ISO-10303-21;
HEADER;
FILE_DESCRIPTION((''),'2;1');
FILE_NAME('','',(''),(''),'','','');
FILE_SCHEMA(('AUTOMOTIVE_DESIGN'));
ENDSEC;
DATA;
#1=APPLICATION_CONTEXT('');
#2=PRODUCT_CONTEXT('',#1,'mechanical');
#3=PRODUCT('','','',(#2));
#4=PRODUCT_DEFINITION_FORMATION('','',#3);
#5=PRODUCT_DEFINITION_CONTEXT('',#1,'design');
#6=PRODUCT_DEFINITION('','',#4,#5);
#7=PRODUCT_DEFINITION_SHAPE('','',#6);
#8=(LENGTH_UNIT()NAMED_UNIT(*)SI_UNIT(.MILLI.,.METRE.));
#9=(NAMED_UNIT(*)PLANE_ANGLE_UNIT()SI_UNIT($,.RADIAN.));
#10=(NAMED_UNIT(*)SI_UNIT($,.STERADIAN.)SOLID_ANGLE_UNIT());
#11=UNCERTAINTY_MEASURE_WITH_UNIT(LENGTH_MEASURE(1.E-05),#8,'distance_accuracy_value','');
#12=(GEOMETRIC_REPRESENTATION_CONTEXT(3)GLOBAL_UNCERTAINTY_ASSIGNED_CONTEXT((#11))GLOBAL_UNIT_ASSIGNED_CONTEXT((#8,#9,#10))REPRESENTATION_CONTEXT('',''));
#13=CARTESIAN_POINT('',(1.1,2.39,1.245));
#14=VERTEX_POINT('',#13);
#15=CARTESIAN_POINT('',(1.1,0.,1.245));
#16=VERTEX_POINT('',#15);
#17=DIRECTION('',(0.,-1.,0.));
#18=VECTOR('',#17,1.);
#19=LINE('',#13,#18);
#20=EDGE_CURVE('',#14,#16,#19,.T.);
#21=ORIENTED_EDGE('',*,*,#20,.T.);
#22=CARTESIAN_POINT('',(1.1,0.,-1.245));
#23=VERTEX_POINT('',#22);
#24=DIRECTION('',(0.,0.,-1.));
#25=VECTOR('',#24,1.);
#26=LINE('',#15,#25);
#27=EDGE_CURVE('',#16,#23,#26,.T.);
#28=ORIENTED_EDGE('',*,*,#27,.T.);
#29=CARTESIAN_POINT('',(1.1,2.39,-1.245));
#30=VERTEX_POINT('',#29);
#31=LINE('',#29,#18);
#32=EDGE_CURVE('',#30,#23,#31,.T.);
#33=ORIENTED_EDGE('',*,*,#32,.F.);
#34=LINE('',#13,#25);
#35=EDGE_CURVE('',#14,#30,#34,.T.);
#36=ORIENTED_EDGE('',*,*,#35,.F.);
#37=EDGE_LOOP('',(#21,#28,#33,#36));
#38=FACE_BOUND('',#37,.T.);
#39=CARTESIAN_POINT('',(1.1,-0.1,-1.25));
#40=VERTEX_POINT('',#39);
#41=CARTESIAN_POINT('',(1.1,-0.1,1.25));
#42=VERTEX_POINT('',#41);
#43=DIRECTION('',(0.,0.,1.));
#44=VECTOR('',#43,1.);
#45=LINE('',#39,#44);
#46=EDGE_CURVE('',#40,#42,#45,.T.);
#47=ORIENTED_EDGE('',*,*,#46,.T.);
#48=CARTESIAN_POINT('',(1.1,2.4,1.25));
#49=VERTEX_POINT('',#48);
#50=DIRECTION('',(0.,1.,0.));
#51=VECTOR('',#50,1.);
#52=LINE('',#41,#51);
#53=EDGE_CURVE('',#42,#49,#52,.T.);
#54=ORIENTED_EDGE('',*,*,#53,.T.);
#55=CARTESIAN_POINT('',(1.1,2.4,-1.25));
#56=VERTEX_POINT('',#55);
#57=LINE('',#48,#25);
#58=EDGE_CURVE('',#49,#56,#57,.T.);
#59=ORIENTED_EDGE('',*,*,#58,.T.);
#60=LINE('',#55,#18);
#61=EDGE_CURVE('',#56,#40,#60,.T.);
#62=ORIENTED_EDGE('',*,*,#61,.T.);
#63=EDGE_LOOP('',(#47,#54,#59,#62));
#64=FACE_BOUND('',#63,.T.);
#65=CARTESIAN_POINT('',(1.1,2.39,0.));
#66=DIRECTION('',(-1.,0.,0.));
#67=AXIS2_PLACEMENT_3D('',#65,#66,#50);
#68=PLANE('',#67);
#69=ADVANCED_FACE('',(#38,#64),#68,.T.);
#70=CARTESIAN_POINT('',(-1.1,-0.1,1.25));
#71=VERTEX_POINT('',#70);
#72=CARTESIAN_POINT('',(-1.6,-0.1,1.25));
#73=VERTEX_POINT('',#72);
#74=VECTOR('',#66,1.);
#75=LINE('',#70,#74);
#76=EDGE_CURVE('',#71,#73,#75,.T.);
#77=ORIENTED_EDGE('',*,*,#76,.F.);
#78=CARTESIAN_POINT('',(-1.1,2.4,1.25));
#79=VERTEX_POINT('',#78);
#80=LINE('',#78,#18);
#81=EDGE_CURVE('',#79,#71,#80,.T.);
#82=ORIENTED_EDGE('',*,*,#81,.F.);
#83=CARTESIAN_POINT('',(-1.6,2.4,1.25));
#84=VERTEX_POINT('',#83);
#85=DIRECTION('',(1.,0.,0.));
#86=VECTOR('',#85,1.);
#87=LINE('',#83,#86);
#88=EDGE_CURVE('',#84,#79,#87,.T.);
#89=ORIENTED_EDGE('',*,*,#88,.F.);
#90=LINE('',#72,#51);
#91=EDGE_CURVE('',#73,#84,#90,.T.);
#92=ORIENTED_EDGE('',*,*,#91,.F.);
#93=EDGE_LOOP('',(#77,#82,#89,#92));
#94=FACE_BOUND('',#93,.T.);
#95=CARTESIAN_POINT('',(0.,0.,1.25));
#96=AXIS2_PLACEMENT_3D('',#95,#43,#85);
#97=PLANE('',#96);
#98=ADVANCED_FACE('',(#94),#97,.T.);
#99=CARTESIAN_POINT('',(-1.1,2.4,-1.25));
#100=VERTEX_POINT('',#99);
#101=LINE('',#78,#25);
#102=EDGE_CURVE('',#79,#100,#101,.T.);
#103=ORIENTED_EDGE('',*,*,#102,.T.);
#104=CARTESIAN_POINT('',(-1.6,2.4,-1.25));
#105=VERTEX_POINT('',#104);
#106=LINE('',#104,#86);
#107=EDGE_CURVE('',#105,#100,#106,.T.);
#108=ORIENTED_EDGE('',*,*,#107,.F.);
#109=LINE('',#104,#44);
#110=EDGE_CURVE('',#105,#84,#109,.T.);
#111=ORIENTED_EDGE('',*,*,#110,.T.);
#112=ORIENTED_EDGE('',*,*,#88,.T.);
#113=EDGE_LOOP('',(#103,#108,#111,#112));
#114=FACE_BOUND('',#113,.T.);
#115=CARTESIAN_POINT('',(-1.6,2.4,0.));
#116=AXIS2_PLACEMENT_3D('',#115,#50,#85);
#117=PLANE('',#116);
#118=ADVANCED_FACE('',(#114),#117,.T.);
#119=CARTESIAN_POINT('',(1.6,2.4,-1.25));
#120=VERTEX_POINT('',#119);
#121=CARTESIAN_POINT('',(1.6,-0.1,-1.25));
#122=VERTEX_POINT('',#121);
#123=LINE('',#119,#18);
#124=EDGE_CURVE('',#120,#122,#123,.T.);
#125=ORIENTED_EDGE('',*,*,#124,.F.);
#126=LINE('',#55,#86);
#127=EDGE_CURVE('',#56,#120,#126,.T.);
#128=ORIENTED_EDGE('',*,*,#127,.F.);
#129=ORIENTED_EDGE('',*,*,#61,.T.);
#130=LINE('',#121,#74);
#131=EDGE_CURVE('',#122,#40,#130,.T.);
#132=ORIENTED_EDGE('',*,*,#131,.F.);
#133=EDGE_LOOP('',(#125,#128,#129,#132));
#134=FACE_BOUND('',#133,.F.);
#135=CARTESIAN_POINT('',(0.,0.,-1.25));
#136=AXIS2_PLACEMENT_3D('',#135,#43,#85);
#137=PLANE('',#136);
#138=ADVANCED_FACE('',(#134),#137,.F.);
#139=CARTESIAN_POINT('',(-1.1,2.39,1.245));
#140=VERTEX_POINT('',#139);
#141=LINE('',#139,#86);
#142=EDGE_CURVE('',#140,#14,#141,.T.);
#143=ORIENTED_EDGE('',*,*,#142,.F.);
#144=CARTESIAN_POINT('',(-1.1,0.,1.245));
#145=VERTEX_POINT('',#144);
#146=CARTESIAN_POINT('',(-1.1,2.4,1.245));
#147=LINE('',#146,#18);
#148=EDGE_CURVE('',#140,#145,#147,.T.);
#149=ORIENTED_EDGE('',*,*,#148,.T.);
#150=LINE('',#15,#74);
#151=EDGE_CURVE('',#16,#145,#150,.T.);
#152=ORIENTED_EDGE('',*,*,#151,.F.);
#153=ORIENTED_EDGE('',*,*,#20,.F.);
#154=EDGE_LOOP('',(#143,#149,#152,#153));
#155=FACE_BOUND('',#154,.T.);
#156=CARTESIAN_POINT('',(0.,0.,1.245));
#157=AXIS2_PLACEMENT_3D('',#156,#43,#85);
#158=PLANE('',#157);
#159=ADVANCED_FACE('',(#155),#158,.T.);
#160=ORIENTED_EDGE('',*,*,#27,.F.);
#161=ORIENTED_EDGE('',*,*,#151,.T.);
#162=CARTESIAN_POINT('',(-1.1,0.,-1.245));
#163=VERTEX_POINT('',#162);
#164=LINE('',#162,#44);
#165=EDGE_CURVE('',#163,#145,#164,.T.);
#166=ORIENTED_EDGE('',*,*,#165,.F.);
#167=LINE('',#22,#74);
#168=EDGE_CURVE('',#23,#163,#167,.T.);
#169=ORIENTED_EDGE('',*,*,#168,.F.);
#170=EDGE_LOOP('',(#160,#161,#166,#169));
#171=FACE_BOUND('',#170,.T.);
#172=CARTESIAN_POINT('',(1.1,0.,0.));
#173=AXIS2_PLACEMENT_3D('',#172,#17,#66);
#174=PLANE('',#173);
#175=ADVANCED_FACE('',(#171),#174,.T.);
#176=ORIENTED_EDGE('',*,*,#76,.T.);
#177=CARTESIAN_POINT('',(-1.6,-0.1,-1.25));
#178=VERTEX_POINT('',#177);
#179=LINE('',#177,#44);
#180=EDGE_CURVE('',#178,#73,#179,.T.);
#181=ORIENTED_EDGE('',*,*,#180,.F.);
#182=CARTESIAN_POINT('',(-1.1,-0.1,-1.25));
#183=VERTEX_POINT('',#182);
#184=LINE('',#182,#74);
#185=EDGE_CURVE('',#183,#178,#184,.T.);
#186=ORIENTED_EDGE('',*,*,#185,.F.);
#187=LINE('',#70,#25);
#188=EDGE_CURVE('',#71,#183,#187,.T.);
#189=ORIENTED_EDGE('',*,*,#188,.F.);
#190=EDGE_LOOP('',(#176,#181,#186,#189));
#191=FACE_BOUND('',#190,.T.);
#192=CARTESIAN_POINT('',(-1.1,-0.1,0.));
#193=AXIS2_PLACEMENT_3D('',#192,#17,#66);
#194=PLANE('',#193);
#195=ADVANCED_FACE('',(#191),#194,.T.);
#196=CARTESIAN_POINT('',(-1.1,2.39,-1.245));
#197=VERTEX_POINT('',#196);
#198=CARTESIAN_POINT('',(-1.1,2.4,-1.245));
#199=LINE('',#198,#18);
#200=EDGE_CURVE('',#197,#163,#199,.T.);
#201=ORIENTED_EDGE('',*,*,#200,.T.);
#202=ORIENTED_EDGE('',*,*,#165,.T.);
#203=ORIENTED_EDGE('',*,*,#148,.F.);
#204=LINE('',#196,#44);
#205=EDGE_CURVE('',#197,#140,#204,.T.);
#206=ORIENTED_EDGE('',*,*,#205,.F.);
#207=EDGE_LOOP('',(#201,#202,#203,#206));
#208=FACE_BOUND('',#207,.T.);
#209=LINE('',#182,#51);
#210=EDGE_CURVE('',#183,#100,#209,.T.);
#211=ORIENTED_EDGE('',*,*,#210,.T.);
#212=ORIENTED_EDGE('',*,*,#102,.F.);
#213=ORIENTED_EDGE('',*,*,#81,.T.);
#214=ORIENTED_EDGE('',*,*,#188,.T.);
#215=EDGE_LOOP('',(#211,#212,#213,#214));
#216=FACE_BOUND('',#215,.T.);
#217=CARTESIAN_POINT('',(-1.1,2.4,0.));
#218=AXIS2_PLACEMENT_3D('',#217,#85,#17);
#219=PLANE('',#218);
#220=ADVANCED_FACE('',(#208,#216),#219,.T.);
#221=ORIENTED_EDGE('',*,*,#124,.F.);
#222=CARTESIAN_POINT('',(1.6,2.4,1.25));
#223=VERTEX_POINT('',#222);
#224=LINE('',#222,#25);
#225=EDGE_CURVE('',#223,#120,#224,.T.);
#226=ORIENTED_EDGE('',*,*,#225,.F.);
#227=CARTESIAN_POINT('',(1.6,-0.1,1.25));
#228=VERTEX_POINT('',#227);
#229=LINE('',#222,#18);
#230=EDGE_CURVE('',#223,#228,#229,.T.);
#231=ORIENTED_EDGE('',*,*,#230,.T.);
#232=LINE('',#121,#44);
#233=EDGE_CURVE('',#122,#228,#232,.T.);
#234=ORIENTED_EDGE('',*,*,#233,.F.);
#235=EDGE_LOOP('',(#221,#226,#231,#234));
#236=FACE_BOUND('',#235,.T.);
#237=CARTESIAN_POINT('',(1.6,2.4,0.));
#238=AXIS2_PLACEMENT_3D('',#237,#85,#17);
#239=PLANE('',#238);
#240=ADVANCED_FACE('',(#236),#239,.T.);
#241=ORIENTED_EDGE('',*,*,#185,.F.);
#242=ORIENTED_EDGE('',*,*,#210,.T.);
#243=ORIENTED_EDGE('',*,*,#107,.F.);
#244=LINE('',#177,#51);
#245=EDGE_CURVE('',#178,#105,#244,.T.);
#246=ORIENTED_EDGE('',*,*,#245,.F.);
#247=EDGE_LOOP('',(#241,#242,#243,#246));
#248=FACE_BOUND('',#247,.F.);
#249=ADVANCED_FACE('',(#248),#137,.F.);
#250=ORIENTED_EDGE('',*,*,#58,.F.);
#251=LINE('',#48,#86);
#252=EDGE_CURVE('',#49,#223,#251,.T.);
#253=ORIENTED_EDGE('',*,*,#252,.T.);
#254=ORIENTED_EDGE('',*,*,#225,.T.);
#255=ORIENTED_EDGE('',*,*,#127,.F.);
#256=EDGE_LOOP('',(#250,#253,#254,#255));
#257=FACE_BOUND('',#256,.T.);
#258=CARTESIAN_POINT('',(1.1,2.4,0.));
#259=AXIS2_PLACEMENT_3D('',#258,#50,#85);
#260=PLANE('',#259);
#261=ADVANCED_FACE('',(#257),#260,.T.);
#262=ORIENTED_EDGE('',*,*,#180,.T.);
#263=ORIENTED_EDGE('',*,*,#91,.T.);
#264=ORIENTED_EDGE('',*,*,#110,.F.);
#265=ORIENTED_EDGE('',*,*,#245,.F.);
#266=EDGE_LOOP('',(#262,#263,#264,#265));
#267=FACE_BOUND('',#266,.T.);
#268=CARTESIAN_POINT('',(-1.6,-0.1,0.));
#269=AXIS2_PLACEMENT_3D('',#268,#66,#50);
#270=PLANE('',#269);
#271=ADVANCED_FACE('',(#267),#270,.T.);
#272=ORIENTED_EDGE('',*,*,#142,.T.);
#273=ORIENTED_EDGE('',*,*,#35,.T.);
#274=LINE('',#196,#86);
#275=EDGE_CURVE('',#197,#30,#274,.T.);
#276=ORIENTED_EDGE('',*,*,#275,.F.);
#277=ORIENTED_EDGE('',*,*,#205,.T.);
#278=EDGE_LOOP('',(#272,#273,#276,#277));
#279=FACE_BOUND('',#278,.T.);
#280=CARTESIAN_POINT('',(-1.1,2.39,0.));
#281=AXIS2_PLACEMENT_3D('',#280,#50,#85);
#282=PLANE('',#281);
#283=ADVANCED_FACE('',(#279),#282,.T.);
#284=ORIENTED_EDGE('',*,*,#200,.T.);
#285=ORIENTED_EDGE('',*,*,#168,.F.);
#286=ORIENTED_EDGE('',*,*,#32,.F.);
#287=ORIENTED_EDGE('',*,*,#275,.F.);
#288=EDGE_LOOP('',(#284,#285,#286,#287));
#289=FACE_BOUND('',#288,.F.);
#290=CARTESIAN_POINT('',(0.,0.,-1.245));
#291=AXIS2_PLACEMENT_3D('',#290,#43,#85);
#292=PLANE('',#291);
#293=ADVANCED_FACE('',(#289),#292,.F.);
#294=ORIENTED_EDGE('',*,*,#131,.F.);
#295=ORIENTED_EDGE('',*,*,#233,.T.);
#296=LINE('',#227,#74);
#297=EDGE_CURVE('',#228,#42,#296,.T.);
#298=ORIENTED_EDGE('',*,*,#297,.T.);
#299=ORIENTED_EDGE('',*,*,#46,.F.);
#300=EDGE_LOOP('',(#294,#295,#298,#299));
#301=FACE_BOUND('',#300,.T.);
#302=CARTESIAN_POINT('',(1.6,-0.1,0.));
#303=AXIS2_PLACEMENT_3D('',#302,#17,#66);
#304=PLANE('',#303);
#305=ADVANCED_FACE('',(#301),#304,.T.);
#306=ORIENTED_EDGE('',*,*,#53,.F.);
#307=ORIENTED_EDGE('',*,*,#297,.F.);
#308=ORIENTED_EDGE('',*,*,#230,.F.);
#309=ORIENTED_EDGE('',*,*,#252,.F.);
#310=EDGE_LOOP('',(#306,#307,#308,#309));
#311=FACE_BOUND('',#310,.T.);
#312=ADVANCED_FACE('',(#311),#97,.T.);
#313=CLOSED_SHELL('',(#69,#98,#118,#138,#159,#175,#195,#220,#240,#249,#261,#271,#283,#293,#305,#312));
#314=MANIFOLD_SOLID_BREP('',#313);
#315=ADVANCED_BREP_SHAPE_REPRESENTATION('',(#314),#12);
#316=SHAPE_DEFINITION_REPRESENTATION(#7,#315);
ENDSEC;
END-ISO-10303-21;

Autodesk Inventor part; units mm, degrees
ref_plane "YZ Plane" through (0, 0, 0) normal (1, 0, 0) x (0, 1, 0)
ref_plane "XZ Plane" through (0, 0, 0) normal (0, 1, 0) x (-1, 0, 0)
ref_plane "XY Plane" through (0, 0, 0) normal (0, 0, 1) x (1, 0, 0)
sketch "Sketch1" plane through (0, 0, 0) normal (0, 0, 1) x (1, 0, 0)
  line L0 (-1.6, 2.4) -> (-1.1, 2.4)
  line L1 (-1.1, 2.4) -> (-1.1, -0.1)
  line L2 (-1.1, -0.1) -> (-1.6, -0.1)
  line L3 (-1.6, -0.1) -> (-1.6, 2.4)
  line L4 (-1.1, 2.39) -> (1.1, 2.39)
  line L5 (1.1, 2.39) -> (1.1, 0)
  line L6 (1.1, 0) -> (-1.1, 0)
  line L7 (-1.1, 0) -> (-1.1, 2.39)
  line L8 (1.1, 2.4) -> (1.6, 2.4)
  line L9 (1.6, 2.4) -> (1.6, -0.1)
  line L10 (1.6, -0.1) -> (1.1, -0.1)
  line L11 (1.1, -0.1) -> (1.1, 2.4)
  point P0 (0, 0)
  point P1 (0, 2.39)
  point P2 (0, 0)
  dimension "d0" = 3.2
  dimension "d1" = 2.5
  dimension "d2" = 0.5
  dimension "d3" = 0.1
  dimension "d6" = 0.01
extrude "Extrusion1" add sketch "Sketch1" along normal mid plane 2.5 contours L0 L1 L2 L3 | L11 L8 L9 L10 L5
extrude "Extrusion2" add sketch "Sketch1" along normal mid plane 2.49 contours L4 L5 L6 L1
properties part number "Capacitor_3225-2.5mm" material "Copper"
